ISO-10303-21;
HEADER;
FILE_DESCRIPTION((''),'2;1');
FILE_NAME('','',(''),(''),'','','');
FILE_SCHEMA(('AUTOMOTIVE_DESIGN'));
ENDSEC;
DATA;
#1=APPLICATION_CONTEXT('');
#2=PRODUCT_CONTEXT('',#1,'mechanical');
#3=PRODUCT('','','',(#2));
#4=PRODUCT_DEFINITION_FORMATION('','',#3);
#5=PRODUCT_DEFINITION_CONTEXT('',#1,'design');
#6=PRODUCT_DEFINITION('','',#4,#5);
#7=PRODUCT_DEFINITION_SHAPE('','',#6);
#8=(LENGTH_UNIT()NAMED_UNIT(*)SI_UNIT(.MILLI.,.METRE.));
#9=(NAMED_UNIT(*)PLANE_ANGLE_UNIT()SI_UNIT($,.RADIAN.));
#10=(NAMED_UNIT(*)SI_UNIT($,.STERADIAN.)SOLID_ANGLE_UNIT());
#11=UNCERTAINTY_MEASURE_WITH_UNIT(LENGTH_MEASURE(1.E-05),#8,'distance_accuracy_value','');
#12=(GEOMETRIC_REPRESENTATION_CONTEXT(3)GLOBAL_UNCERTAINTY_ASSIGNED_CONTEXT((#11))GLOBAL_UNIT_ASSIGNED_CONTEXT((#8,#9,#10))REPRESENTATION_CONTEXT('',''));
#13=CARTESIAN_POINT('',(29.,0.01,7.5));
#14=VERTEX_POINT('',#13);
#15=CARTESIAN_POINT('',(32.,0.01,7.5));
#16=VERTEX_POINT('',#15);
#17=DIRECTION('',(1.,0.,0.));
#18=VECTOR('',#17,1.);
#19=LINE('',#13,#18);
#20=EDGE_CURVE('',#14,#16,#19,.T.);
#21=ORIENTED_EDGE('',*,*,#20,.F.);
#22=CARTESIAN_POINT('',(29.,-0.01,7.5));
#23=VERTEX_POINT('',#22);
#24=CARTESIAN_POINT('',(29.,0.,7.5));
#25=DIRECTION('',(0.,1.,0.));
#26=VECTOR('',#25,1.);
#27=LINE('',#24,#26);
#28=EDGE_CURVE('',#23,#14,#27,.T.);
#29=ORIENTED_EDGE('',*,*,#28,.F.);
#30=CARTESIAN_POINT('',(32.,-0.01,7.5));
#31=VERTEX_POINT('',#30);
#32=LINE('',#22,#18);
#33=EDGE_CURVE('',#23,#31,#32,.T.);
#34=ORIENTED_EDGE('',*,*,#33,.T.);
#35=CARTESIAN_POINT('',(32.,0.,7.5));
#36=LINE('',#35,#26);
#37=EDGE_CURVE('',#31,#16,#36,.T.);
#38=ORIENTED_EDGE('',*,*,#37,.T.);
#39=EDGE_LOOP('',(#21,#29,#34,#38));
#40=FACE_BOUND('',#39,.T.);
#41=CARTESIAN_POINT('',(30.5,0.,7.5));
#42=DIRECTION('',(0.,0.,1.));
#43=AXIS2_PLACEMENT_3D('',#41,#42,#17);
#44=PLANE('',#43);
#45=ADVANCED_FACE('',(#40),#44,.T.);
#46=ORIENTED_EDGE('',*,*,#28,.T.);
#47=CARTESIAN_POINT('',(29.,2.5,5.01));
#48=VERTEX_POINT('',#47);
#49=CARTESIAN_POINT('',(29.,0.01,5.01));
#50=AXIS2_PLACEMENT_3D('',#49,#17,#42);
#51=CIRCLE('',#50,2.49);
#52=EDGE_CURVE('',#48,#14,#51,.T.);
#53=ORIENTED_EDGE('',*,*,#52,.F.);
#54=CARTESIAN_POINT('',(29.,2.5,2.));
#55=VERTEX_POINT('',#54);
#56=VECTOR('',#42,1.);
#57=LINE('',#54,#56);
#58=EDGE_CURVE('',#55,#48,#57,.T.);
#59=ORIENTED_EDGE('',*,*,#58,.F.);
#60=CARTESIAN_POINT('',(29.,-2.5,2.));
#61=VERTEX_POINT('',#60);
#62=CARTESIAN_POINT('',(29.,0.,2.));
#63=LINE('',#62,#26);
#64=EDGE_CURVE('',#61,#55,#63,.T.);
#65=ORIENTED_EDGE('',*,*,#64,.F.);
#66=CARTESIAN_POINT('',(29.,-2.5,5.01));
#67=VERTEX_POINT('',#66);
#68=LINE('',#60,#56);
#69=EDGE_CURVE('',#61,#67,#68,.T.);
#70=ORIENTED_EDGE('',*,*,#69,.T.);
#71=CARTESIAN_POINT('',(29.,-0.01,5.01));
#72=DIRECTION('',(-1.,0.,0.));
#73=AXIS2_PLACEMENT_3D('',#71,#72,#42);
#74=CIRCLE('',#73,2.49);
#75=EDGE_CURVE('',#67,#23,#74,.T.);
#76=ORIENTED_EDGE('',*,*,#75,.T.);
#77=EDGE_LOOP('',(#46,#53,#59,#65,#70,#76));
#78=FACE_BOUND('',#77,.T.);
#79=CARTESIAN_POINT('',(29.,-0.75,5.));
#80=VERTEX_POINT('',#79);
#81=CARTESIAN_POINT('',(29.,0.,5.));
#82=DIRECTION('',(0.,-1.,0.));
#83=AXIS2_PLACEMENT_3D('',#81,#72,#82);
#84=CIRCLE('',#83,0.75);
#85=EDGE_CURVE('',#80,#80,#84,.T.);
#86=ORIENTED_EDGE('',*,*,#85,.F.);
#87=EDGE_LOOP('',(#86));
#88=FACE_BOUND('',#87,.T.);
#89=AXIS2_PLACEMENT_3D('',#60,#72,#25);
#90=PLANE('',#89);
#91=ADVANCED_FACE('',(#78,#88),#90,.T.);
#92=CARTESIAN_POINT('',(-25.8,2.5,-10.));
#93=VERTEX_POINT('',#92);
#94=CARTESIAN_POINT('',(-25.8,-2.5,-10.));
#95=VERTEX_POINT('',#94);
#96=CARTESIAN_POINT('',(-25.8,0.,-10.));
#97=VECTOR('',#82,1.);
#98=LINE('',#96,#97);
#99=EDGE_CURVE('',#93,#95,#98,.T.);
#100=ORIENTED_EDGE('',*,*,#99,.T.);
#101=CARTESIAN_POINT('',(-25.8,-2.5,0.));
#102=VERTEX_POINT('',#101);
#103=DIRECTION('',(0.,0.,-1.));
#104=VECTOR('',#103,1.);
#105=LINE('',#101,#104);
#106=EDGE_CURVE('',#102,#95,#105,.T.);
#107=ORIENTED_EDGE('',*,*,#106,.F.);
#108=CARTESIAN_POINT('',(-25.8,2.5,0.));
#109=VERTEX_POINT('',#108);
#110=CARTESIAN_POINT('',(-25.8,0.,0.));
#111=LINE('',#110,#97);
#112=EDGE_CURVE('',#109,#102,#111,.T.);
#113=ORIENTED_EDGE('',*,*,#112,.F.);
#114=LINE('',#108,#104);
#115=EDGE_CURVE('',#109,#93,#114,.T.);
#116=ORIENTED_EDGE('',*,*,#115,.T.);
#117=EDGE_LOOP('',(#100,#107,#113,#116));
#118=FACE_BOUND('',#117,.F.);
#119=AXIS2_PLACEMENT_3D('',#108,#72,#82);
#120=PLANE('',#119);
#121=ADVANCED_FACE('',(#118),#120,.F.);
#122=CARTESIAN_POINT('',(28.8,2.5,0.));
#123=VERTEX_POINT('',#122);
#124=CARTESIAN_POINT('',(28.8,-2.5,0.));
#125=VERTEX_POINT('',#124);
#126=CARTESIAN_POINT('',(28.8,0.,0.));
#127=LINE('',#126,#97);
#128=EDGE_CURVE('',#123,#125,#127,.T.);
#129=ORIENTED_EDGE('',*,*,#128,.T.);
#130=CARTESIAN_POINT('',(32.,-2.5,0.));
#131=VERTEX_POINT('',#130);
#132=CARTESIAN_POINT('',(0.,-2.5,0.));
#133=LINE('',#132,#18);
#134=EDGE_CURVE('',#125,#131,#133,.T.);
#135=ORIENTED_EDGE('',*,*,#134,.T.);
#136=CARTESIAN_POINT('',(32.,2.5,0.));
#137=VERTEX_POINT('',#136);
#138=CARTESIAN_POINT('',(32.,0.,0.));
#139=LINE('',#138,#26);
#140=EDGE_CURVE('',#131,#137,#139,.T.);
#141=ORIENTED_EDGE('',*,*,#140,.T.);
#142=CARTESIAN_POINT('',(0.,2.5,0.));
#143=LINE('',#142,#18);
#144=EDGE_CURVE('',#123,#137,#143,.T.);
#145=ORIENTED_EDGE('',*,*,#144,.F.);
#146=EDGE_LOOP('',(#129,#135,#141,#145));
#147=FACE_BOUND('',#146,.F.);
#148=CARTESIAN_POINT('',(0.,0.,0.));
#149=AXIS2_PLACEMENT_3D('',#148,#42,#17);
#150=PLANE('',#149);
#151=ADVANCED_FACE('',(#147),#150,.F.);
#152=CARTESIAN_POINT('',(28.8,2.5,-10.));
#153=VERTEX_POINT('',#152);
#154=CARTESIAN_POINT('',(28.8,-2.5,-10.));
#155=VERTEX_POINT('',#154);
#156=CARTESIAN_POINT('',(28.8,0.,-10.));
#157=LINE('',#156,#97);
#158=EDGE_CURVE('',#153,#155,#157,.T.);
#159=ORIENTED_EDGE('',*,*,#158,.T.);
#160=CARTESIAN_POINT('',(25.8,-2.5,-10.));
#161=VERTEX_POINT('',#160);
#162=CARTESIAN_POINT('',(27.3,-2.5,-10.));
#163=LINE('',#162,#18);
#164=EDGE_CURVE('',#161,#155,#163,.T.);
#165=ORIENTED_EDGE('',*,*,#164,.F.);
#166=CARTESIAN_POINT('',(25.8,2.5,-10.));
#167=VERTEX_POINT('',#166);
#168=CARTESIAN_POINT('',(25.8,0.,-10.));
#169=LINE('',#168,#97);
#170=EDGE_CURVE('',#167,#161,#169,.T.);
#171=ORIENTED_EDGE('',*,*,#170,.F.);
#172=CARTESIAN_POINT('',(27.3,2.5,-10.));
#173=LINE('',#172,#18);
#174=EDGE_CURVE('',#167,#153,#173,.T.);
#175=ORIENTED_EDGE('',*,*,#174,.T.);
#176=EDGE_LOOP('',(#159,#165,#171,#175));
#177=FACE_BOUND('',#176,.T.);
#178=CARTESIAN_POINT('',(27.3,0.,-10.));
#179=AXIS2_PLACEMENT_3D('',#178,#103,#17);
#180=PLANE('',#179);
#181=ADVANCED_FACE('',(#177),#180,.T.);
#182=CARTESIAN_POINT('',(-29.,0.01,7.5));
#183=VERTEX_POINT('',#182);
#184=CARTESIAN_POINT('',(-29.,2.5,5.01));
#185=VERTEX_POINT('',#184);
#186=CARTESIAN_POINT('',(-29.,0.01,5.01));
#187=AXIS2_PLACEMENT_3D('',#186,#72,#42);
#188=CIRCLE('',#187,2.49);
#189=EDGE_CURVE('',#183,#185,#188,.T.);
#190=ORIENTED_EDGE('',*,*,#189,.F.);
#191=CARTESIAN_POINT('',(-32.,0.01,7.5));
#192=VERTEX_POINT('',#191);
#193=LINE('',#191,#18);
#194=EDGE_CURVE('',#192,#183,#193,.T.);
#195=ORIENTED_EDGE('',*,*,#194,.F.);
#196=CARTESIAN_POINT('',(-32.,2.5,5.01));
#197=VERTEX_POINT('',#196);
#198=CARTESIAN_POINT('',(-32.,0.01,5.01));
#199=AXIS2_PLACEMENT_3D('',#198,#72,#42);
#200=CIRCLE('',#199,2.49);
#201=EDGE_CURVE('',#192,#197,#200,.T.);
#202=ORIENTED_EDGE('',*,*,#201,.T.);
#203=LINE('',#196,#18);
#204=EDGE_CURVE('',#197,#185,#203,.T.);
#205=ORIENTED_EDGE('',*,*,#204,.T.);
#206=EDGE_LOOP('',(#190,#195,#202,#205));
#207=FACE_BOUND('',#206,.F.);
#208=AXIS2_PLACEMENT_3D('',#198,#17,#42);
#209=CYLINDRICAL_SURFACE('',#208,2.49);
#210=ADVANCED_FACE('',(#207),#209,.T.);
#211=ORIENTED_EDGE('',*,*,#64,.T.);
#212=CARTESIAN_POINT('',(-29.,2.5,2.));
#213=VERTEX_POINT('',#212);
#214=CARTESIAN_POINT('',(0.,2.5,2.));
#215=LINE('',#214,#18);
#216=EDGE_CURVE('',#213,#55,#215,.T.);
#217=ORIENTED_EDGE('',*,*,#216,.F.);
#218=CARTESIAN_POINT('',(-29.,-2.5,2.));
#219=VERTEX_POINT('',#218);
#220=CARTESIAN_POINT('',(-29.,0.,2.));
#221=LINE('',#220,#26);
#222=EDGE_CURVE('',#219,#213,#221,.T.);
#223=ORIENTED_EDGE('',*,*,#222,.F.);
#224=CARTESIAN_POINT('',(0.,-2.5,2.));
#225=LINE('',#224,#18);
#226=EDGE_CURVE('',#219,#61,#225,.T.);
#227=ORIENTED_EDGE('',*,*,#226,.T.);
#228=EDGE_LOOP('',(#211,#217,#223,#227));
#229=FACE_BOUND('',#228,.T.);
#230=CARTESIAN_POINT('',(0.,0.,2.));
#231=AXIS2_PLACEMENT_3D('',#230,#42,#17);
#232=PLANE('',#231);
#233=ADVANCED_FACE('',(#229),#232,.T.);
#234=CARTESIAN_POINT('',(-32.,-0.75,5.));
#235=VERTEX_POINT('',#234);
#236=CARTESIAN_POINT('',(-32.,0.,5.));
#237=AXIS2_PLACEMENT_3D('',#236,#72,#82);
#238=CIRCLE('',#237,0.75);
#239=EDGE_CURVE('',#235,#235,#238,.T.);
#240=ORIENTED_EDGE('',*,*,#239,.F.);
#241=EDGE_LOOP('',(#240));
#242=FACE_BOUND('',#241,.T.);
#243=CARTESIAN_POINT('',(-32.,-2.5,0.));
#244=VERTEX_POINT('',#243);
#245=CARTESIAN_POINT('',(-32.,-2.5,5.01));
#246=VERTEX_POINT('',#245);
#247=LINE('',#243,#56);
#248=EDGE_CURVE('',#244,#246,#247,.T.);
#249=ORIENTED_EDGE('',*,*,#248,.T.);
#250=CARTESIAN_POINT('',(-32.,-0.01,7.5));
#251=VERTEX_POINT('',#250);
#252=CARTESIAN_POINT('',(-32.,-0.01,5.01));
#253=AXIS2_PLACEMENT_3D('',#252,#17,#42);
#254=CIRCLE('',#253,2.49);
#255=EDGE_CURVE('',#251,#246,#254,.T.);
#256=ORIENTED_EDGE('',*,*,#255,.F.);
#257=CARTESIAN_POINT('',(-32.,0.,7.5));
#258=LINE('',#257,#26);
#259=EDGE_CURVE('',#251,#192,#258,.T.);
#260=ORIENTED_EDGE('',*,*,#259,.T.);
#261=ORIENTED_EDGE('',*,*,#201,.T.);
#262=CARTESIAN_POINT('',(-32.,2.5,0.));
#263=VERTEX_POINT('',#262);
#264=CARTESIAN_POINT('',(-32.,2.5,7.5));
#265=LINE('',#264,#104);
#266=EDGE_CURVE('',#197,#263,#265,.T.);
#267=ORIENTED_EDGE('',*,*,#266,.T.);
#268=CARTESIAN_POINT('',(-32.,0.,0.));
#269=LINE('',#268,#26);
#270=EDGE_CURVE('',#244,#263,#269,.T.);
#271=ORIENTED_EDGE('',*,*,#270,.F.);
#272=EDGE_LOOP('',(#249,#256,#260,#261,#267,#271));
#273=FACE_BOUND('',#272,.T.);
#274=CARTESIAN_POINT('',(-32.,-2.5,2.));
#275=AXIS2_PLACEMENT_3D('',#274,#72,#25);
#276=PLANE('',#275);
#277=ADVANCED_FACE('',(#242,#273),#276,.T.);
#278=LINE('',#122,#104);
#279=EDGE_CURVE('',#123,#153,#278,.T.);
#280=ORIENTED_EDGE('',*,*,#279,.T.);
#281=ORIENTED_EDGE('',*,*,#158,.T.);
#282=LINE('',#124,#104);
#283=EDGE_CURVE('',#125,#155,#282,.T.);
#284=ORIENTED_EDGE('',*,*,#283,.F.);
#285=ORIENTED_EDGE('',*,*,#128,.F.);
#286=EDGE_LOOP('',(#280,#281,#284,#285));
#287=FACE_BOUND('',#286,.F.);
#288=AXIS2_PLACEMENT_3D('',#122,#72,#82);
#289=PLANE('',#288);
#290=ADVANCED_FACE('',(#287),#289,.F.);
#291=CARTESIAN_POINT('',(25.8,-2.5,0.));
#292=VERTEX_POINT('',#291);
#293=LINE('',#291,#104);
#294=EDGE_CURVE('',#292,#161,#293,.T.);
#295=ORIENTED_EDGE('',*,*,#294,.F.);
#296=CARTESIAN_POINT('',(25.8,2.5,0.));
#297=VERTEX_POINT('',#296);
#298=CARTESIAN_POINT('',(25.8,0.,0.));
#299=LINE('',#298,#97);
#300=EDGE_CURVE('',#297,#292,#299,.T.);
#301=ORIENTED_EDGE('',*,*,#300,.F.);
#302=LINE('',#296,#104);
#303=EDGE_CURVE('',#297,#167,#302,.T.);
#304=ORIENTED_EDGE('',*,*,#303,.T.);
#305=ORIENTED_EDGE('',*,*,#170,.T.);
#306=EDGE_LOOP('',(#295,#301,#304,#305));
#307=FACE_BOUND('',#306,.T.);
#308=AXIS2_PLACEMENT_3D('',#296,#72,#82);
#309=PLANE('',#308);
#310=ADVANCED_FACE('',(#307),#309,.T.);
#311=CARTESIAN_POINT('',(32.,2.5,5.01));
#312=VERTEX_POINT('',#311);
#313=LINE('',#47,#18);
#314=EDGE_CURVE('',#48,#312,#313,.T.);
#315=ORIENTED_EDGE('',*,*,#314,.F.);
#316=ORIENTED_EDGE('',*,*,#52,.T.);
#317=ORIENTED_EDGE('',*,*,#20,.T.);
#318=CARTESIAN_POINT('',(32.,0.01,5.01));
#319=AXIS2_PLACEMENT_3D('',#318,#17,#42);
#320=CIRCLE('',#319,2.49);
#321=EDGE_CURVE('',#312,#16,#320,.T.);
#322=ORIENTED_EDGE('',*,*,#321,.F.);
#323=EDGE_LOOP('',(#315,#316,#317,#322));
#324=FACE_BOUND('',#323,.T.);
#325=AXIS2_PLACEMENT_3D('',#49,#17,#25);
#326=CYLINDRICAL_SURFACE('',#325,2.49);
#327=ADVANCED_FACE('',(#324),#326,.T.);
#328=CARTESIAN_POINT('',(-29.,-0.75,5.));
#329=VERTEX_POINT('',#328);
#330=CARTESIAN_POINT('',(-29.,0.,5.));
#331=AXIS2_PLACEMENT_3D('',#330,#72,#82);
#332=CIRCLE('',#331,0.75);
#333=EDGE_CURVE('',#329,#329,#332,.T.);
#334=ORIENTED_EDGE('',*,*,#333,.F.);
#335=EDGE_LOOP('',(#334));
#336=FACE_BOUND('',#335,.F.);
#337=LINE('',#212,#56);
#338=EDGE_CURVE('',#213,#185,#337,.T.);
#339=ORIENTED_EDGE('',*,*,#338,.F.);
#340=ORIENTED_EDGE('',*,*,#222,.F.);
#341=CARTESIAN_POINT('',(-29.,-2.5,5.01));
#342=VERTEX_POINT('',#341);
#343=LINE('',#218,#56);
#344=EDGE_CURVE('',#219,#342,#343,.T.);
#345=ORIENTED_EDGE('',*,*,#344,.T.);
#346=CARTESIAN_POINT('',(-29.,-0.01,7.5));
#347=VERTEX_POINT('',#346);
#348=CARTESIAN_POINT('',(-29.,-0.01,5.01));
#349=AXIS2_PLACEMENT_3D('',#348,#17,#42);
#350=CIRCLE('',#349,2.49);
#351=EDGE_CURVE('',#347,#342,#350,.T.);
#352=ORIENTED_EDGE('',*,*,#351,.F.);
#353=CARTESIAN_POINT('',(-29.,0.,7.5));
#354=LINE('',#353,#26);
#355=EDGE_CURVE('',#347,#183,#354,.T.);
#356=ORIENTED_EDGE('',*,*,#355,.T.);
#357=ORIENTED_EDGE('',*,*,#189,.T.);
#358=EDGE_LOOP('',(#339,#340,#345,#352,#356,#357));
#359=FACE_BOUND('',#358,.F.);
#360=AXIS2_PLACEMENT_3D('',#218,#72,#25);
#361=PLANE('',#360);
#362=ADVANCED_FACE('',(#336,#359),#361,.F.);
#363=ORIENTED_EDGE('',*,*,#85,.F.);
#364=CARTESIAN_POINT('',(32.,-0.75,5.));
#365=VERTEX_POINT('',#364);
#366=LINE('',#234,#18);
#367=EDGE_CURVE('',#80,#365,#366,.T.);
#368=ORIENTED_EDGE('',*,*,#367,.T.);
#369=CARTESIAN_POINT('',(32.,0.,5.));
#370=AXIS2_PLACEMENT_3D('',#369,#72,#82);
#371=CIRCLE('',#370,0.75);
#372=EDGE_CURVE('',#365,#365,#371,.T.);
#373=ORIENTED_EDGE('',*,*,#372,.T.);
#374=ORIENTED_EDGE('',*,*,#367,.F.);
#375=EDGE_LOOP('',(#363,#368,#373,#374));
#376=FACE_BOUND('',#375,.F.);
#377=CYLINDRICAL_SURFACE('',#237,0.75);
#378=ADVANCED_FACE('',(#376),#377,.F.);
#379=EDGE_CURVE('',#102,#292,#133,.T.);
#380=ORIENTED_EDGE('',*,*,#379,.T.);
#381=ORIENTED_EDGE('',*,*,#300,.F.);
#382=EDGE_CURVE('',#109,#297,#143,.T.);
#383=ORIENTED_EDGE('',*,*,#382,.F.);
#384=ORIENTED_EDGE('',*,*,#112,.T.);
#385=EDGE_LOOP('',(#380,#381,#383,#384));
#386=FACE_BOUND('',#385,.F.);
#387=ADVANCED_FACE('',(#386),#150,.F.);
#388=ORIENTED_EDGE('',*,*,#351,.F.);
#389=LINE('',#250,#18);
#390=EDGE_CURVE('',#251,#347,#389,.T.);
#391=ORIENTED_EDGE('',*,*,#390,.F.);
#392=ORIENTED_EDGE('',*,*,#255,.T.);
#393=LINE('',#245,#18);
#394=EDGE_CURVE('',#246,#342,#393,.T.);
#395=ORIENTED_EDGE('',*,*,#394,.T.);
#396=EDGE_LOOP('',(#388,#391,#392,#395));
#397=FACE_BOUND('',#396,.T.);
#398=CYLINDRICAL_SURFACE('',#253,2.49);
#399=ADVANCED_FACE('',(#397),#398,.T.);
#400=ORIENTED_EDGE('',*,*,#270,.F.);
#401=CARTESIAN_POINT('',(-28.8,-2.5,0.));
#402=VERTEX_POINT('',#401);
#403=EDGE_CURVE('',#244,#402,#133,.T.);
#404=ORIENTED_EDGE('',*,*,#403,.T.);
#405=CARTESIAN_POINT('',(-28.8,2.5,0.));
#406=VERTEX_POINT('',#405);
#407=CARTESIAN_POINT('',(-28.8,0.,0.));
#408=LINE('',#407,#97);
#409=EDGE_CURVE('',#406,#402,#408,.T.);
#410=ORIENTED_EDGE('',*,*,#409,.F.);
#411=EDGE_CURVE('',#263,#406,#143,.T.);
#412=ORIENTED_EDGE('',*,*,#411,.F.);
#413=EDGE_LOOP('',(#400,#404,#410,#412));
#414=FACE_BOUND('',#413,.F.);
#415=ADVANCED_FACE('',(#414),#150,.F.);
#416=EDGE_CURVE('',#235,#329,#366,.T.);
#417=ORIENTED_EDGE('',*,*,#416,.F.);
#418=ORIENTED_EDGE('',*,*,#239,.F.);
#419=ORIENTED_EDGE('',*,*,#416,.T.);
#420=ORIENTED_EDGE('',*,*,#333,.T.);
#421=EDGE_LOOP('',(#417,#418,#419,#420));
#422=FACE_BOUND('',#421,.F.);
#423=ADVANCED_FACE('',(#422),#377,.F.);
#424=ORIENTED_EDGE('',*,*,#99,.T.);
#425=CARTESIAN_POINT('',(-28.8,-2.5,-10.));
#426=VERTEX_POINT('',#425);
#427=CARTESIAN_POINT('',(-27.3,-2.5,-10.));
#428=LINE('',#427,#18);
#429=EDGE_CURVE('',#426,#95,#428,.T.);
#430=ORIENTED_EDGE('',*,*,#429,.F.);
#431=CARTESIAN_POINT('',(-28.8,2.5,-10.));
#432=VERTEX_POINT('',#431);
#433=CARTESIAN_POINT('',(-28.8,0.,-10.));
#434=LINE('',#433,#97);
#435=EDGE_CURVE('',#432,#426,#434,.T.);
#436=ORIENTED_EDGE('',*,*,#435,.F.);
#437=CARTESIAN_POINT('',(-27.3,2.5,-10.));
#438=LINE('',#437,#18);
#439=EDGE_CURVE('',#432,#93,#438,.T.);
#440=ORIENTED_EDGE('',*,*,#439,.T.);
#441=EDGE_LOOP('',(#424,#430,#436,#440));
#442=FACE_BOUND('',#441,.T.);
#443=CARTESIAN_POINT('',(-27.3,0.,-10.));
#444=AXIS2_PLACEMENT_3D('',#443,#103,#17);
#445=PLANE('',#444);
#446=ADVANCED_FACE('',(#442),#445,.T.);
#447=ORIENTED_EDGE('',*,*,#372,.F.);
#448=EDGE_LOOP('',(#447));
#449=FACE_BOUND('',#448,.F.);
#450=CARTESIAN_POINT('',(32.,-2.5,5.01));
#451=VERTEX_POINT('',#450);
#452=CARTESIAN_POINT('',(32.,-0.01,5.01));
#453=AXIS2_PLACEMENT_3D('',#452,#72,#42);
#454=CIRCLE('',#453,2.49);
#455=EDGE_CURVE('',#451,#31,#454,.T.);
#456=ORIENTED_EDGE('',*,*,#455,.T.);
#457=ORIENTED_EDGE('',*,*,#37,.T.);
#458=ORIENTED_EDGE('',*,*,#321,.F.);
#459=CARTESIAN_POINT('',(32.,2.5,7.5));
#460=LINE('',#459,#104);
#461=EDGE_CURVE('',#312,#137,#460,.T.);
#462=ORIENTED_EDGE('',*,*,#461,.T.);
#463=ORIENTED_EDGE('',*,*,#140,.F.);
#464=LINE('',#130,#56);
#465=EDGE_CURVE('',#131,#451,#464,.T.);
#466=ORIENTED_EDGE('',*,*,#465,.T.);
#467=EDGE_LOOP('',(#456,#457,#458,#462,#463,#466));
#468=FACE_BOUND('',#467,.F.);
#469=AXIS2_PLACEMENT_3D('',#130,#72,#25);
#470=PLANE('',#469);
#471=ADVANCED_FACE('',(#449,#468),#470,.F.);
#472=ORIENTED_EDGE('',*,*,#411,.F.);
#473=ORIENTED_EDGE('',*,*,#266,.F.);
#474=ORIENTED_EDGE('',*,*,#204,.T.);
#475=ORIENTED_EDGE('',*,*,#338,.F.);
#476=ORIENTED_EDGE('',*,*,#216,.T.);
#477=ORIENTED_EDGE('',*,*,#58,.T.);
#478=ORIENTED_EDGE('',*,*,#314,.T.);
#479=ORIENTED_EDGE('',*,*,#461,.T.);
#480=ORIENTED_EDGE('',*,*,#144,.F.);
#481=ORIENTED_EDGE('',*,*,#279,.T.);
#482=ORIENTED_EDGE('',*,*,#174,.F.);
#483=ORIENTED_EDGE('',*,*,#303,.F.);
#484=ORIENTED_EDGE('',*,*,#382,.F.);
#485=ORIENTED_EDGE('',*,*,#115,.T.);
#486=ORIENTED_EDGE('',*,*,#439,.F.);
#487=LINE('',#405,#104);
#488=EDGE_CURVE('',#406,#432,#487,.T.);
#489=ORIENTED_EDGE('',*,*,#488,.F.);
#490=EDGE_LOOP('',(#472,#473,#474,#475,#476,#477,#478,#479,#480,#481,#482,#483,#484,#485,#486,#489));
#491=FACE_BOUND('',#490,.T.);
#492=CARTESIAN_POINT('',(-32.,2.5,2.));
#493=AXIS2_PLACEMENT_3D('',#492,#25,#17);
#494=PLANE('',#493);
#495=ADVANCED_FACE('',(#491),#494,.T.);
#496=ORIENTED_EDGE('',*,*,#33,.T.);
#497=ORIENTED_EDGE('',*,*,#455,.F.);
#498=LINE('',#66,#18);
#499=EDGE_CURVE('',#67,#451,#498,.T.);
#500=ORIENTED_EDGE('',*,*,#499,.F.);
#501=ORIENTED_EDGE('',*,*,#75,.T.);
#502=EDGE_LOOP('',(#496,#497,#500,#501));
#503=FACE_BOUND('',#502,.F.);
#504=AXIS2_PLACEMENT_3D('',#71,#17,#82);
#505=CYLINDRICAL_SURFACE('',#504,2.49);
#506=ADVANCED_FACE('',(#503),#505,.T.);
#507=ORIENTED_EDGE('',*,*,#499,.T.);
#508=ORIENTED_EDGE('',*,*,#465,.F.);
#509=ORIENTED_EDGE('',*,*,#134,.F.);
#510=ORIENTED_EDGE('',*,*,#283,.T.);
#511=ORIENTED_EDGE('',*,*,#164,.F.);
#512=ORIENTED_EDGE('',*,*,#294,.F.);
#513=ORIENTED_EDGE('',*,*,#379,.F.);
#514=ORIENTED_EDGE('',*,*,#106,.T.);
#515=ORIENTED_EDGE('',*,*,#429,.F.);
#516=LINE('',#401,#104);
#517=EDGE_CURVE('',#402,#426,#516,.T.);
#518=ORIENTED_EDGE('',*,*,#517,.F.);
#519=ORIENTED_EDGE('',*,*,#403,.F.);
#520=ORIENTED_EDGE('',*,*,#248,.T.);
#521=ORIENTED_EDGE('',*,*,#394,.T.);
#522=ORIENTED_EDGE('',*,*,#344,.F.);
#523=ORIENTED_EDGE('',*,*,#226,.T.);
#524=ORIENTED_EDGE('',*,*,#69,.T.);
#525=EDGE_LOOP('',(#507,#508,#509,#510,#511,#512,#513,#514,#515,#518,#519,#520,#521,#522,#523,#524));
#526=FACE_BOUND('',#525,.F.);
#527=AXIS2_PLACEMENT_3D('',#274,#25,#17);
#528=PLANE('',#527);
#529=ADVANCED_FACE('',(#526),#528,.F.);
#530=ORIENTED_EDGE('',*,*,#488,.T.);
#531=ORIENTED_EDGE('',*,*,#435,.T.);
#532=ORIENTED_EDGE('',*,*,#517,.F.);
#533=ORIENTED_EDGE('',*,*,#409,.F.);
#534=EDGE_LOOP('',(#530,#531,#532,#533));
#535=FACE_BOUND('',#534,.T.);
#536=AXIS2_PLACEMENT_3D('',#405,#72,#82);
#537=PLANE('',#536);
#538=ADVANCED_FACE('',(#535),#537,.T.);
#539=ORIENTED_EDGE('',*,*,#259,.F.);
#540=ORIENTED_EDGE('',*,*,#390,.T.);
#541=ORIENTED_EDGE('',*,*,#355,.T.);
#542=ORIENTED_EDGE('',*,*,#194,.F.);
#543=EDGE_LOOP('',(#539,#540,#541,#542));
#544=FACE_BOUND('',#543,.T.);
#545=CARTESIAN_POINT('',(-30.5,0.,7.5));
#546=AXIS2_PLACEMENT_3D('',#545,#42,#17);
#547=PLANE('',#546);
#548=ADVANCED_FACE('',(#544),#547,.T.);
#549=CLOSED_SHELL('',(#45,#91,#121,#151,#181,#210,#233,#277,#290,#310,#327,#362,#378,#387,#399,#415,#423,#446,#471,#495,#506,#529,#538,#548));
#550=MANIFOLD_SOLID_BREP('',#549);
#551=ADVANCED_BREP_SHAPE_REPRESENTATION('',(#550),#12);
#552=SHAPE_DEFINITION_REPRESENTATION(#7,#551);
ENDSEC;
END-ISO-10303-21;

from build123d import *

# Parameters (mm, degrees)
SKETCH_W     = 64
SKETCH_H     = 5
PAD_DEPTH    = 2
SKETCH001_W  = 3
SKETCH001_H  = 5
PAD001_DEPTH = 5.5
SKETCH003_W  = 3
SKETCH003_H  = 5
PAD002_DEPTH = 10
SKETCH004_R  = 0.75
POCKET_DEPTH = 100
FILLET_R     = 2.49


with BuildPart() as part:
    # Sketch → Pad (new body)
    with BuildSketch(Plane.XY):
        Rectangle(SKETCH_W, SKETCH_H)
    extrude(amount=PAD_DEPTH)

    # Sketch001 (on Face6 of Pad) → Pad001 (join)
    with BuildSketch(Plane.XY.offset(2)):
        with Locations((-30.5, 0)):
            Rectangle(SKETCH001_W, SKETCH001_H)
        with Locations((30.5, 0)):
            Rectangle(SKETCH001_W, SKETCH001_H)
    extrude(amount=PAD001_DEPTH)

    # Sketch003 → Pad002 (join)
    with BuildSketch(Plane(origin=(0, 0, 0), x_dir=(1, 0, 0), z_dir=(0, 0, -1))):
        with Locations((-27.3, 0)):
            Rectangle(SKETCH003_W, SKETCH003_H)
        with Locations((27.3, 0)):
            Rectangle(SKETCH003_W, SKETCH003_H)
    extrude(amount=PAD002_DEPTH)

    # Sketch004 (on Face13 of Pad002) → Pocket (cut)
    with BuildSketch(Plane(origin=(-32, 0, 0), x_dir=(0, -1, 0), z_dir=(-1, 0, 0))):
        with Locations((0, 5)):
            Circle(SKETCH004_R)
    extrude(amount=-POCKET_DEPTH, mode=Mode.SUBTRACT)

    # Fillet
    fillet_edges = [part.edges().sort_by_distance(p)[0] for p in [
        (30.5, -2.5, 7.5),
        (30.5, 2.5, 7.5),
        (-30.5, -2.5, 7.5),
        (-30.5, 2.5, 7.5),
    ]]
    fillet(fillet_edges, radius=FILLET_R)


solid = part.part
